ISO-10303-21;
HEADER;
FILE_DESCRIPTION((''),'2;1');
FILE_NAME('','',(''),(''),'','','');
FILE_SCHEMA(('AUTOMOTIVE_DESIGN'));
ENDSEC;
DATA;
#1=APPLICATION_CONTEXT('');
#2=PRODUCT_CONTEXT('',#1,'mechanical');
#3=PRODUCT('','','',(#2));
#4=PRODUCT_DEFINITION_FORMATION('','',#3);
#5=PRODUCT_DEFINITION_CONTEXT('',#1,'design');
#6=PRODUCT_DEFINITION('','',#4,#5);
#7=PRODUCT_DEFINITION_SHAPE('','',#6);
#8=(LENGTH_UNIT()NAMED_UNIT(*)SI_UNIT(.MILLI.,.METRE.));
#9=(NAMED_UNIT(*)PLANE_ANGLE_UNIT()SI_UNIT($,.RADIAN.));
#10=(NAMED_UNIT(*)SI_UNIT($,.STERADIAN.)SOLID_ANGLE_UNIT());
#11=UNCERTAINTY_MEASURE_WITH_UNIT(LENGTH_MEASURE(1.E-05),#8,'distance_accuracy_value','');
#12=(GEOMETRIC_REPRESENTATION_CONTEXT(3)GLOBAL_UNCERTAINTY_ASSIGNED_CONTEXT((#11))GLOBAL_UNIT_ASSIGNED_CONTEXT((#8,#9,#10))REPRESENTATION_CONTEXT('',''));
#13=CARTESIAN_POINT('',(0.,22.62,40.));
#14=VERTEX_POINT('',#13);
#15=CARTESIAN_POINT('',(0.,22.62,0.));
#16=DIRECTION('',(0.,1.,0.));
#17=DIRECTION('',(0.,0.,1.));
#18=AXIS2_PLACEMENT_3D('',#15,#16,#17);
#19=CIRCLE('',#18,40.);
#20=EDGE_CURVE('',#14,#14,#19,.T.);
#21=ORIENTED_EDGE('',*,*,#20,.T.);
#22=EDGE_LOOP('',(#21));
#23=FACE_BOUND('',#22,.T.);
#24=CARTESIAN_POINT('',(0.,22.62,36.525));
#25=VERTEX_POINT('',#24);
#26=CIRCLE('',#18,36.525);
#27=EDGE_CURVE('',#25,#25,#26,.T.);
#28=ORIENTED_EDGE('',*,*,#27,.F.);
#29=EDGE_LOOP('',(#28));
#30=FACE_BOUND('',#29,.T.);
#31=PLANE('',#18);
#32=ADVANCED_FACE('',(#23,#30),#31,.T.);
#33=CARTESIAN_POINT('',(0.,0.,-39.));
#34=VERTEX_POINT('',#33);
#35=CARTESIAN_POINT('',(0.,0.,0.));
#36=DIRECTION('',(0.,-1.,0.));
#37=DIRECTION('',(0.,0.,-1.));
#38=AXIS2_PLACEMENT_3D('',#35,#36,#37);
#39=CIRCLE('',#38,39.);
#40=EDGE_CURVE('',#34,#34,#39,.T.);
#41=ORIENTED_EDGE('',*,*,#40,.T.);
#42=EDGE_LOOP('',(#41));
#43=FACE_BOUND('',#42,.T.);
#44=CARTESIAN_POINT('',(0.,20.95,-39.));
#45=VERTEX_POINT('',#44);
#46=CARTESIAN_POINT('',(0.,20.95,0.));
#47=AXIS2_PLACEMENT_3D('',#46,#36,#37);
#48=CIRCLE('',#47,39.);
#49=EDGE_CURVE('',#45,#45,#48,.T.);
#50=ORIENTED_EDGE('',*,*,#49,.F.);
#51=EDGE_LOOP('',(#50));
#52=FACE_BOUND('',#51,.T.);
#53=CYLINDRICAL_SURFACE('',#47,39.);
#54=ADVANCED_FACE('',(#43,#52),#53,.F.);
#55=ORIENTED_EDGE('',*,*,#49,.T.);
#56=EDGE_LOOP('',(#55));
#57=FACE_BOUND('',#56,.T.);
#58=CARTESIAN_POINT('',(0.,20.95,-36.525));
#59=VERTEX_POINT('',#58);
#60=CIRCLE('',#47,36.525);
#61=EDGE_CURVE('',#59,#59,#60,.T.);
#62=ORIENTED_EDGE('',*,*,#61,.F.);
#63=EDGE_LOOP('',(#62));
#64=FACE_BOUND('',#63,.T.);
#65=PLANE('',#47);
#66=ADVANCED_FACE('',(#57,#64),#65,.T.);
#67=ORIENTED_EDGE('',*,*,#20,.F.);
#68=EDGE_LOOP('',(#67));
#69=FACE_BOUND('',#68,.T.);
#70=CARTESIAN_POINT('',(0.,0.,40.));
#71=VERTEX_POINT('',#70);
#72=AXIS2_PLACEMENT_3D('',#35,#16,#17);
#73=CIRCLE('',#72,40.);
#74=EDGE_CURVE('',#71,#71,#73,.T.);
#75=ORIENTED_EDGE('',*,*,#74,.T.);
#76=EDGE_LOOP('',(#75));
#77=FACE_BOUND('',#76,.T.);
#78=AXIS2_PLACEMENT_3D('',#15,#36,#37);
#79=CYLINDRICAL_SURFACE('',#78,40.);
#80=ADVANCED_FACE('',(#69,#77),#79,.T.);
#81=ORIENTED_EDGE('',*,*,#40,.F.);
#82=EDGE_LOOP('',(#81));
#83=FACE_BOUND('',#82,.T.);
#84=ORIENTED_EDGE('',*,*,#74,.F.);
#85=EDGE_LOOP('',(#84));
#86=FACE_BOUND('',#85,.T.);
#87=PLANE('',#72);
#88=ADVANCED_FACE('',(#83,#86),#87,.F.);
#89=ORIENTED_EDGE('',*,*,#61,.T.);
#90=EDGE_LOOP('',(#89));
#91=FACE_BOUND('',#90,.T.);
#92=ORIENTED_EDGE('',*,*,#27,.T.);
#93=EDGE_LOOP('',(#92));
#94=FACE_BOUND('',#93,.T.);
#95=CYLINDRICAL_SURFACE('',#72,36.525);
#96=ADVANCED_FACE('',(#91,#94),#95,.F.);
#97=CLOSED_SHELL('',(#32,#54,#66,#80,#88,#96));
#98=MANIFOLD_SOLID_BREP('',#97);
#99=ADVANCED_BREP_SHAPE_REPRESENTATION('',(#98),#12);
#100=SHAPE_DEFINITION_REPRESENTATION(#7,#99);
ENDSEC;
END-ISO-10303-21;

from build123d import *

# Parameters (mm, degrees)
SKETCH1_R           = 40
BOSS_EXTRUDE1_DEPTH = 22.62
SKETCH3_R           = 39
CUT_EXTRUDE1_DEPTH  = 20.95
SKETCH4_R           = 36.525
CUT_EXTRUDE2_DEPTH  = 23.62


with BuildPart() as part:
    # Sketch1 → Boss-Extrude1 (new body)
    with BuildSketch(Plane(origin=(0, 0, 0), x_dir=(1, 0, 0), z_dir=(0, 1, 0))):
        Circle(SKETCH1_R)
    extrude(amount=BOSS_EXTRUDE1_DEPTH)

    # Sketch3 → Cut-Extrude1 (cut)
    with BuildSketch(Plane(origin=(0, 0, 0), x_dir=(-1, 0, 0), z_dir=(0, -1, 0))):
        Circle(SKETCH3_R)
    extrude(amount=-CUT_EXTRUDE1_DEPTH, mode=Mode.SUBTRACT)

    # Sketch4 → Cut-Extrude2 (cut, through all)
    with BuildSketch(Plane(origin=(0, 22.62, 0), x_dir=(1, 0, 0), z_dir=(0, 1, 0))):
        Circle(SKETCH4_R)
    extrude(amount=-CUT_EXTRUDE2_DEPTH, mode=Mode.SUBTRACT)


solid = part.part
